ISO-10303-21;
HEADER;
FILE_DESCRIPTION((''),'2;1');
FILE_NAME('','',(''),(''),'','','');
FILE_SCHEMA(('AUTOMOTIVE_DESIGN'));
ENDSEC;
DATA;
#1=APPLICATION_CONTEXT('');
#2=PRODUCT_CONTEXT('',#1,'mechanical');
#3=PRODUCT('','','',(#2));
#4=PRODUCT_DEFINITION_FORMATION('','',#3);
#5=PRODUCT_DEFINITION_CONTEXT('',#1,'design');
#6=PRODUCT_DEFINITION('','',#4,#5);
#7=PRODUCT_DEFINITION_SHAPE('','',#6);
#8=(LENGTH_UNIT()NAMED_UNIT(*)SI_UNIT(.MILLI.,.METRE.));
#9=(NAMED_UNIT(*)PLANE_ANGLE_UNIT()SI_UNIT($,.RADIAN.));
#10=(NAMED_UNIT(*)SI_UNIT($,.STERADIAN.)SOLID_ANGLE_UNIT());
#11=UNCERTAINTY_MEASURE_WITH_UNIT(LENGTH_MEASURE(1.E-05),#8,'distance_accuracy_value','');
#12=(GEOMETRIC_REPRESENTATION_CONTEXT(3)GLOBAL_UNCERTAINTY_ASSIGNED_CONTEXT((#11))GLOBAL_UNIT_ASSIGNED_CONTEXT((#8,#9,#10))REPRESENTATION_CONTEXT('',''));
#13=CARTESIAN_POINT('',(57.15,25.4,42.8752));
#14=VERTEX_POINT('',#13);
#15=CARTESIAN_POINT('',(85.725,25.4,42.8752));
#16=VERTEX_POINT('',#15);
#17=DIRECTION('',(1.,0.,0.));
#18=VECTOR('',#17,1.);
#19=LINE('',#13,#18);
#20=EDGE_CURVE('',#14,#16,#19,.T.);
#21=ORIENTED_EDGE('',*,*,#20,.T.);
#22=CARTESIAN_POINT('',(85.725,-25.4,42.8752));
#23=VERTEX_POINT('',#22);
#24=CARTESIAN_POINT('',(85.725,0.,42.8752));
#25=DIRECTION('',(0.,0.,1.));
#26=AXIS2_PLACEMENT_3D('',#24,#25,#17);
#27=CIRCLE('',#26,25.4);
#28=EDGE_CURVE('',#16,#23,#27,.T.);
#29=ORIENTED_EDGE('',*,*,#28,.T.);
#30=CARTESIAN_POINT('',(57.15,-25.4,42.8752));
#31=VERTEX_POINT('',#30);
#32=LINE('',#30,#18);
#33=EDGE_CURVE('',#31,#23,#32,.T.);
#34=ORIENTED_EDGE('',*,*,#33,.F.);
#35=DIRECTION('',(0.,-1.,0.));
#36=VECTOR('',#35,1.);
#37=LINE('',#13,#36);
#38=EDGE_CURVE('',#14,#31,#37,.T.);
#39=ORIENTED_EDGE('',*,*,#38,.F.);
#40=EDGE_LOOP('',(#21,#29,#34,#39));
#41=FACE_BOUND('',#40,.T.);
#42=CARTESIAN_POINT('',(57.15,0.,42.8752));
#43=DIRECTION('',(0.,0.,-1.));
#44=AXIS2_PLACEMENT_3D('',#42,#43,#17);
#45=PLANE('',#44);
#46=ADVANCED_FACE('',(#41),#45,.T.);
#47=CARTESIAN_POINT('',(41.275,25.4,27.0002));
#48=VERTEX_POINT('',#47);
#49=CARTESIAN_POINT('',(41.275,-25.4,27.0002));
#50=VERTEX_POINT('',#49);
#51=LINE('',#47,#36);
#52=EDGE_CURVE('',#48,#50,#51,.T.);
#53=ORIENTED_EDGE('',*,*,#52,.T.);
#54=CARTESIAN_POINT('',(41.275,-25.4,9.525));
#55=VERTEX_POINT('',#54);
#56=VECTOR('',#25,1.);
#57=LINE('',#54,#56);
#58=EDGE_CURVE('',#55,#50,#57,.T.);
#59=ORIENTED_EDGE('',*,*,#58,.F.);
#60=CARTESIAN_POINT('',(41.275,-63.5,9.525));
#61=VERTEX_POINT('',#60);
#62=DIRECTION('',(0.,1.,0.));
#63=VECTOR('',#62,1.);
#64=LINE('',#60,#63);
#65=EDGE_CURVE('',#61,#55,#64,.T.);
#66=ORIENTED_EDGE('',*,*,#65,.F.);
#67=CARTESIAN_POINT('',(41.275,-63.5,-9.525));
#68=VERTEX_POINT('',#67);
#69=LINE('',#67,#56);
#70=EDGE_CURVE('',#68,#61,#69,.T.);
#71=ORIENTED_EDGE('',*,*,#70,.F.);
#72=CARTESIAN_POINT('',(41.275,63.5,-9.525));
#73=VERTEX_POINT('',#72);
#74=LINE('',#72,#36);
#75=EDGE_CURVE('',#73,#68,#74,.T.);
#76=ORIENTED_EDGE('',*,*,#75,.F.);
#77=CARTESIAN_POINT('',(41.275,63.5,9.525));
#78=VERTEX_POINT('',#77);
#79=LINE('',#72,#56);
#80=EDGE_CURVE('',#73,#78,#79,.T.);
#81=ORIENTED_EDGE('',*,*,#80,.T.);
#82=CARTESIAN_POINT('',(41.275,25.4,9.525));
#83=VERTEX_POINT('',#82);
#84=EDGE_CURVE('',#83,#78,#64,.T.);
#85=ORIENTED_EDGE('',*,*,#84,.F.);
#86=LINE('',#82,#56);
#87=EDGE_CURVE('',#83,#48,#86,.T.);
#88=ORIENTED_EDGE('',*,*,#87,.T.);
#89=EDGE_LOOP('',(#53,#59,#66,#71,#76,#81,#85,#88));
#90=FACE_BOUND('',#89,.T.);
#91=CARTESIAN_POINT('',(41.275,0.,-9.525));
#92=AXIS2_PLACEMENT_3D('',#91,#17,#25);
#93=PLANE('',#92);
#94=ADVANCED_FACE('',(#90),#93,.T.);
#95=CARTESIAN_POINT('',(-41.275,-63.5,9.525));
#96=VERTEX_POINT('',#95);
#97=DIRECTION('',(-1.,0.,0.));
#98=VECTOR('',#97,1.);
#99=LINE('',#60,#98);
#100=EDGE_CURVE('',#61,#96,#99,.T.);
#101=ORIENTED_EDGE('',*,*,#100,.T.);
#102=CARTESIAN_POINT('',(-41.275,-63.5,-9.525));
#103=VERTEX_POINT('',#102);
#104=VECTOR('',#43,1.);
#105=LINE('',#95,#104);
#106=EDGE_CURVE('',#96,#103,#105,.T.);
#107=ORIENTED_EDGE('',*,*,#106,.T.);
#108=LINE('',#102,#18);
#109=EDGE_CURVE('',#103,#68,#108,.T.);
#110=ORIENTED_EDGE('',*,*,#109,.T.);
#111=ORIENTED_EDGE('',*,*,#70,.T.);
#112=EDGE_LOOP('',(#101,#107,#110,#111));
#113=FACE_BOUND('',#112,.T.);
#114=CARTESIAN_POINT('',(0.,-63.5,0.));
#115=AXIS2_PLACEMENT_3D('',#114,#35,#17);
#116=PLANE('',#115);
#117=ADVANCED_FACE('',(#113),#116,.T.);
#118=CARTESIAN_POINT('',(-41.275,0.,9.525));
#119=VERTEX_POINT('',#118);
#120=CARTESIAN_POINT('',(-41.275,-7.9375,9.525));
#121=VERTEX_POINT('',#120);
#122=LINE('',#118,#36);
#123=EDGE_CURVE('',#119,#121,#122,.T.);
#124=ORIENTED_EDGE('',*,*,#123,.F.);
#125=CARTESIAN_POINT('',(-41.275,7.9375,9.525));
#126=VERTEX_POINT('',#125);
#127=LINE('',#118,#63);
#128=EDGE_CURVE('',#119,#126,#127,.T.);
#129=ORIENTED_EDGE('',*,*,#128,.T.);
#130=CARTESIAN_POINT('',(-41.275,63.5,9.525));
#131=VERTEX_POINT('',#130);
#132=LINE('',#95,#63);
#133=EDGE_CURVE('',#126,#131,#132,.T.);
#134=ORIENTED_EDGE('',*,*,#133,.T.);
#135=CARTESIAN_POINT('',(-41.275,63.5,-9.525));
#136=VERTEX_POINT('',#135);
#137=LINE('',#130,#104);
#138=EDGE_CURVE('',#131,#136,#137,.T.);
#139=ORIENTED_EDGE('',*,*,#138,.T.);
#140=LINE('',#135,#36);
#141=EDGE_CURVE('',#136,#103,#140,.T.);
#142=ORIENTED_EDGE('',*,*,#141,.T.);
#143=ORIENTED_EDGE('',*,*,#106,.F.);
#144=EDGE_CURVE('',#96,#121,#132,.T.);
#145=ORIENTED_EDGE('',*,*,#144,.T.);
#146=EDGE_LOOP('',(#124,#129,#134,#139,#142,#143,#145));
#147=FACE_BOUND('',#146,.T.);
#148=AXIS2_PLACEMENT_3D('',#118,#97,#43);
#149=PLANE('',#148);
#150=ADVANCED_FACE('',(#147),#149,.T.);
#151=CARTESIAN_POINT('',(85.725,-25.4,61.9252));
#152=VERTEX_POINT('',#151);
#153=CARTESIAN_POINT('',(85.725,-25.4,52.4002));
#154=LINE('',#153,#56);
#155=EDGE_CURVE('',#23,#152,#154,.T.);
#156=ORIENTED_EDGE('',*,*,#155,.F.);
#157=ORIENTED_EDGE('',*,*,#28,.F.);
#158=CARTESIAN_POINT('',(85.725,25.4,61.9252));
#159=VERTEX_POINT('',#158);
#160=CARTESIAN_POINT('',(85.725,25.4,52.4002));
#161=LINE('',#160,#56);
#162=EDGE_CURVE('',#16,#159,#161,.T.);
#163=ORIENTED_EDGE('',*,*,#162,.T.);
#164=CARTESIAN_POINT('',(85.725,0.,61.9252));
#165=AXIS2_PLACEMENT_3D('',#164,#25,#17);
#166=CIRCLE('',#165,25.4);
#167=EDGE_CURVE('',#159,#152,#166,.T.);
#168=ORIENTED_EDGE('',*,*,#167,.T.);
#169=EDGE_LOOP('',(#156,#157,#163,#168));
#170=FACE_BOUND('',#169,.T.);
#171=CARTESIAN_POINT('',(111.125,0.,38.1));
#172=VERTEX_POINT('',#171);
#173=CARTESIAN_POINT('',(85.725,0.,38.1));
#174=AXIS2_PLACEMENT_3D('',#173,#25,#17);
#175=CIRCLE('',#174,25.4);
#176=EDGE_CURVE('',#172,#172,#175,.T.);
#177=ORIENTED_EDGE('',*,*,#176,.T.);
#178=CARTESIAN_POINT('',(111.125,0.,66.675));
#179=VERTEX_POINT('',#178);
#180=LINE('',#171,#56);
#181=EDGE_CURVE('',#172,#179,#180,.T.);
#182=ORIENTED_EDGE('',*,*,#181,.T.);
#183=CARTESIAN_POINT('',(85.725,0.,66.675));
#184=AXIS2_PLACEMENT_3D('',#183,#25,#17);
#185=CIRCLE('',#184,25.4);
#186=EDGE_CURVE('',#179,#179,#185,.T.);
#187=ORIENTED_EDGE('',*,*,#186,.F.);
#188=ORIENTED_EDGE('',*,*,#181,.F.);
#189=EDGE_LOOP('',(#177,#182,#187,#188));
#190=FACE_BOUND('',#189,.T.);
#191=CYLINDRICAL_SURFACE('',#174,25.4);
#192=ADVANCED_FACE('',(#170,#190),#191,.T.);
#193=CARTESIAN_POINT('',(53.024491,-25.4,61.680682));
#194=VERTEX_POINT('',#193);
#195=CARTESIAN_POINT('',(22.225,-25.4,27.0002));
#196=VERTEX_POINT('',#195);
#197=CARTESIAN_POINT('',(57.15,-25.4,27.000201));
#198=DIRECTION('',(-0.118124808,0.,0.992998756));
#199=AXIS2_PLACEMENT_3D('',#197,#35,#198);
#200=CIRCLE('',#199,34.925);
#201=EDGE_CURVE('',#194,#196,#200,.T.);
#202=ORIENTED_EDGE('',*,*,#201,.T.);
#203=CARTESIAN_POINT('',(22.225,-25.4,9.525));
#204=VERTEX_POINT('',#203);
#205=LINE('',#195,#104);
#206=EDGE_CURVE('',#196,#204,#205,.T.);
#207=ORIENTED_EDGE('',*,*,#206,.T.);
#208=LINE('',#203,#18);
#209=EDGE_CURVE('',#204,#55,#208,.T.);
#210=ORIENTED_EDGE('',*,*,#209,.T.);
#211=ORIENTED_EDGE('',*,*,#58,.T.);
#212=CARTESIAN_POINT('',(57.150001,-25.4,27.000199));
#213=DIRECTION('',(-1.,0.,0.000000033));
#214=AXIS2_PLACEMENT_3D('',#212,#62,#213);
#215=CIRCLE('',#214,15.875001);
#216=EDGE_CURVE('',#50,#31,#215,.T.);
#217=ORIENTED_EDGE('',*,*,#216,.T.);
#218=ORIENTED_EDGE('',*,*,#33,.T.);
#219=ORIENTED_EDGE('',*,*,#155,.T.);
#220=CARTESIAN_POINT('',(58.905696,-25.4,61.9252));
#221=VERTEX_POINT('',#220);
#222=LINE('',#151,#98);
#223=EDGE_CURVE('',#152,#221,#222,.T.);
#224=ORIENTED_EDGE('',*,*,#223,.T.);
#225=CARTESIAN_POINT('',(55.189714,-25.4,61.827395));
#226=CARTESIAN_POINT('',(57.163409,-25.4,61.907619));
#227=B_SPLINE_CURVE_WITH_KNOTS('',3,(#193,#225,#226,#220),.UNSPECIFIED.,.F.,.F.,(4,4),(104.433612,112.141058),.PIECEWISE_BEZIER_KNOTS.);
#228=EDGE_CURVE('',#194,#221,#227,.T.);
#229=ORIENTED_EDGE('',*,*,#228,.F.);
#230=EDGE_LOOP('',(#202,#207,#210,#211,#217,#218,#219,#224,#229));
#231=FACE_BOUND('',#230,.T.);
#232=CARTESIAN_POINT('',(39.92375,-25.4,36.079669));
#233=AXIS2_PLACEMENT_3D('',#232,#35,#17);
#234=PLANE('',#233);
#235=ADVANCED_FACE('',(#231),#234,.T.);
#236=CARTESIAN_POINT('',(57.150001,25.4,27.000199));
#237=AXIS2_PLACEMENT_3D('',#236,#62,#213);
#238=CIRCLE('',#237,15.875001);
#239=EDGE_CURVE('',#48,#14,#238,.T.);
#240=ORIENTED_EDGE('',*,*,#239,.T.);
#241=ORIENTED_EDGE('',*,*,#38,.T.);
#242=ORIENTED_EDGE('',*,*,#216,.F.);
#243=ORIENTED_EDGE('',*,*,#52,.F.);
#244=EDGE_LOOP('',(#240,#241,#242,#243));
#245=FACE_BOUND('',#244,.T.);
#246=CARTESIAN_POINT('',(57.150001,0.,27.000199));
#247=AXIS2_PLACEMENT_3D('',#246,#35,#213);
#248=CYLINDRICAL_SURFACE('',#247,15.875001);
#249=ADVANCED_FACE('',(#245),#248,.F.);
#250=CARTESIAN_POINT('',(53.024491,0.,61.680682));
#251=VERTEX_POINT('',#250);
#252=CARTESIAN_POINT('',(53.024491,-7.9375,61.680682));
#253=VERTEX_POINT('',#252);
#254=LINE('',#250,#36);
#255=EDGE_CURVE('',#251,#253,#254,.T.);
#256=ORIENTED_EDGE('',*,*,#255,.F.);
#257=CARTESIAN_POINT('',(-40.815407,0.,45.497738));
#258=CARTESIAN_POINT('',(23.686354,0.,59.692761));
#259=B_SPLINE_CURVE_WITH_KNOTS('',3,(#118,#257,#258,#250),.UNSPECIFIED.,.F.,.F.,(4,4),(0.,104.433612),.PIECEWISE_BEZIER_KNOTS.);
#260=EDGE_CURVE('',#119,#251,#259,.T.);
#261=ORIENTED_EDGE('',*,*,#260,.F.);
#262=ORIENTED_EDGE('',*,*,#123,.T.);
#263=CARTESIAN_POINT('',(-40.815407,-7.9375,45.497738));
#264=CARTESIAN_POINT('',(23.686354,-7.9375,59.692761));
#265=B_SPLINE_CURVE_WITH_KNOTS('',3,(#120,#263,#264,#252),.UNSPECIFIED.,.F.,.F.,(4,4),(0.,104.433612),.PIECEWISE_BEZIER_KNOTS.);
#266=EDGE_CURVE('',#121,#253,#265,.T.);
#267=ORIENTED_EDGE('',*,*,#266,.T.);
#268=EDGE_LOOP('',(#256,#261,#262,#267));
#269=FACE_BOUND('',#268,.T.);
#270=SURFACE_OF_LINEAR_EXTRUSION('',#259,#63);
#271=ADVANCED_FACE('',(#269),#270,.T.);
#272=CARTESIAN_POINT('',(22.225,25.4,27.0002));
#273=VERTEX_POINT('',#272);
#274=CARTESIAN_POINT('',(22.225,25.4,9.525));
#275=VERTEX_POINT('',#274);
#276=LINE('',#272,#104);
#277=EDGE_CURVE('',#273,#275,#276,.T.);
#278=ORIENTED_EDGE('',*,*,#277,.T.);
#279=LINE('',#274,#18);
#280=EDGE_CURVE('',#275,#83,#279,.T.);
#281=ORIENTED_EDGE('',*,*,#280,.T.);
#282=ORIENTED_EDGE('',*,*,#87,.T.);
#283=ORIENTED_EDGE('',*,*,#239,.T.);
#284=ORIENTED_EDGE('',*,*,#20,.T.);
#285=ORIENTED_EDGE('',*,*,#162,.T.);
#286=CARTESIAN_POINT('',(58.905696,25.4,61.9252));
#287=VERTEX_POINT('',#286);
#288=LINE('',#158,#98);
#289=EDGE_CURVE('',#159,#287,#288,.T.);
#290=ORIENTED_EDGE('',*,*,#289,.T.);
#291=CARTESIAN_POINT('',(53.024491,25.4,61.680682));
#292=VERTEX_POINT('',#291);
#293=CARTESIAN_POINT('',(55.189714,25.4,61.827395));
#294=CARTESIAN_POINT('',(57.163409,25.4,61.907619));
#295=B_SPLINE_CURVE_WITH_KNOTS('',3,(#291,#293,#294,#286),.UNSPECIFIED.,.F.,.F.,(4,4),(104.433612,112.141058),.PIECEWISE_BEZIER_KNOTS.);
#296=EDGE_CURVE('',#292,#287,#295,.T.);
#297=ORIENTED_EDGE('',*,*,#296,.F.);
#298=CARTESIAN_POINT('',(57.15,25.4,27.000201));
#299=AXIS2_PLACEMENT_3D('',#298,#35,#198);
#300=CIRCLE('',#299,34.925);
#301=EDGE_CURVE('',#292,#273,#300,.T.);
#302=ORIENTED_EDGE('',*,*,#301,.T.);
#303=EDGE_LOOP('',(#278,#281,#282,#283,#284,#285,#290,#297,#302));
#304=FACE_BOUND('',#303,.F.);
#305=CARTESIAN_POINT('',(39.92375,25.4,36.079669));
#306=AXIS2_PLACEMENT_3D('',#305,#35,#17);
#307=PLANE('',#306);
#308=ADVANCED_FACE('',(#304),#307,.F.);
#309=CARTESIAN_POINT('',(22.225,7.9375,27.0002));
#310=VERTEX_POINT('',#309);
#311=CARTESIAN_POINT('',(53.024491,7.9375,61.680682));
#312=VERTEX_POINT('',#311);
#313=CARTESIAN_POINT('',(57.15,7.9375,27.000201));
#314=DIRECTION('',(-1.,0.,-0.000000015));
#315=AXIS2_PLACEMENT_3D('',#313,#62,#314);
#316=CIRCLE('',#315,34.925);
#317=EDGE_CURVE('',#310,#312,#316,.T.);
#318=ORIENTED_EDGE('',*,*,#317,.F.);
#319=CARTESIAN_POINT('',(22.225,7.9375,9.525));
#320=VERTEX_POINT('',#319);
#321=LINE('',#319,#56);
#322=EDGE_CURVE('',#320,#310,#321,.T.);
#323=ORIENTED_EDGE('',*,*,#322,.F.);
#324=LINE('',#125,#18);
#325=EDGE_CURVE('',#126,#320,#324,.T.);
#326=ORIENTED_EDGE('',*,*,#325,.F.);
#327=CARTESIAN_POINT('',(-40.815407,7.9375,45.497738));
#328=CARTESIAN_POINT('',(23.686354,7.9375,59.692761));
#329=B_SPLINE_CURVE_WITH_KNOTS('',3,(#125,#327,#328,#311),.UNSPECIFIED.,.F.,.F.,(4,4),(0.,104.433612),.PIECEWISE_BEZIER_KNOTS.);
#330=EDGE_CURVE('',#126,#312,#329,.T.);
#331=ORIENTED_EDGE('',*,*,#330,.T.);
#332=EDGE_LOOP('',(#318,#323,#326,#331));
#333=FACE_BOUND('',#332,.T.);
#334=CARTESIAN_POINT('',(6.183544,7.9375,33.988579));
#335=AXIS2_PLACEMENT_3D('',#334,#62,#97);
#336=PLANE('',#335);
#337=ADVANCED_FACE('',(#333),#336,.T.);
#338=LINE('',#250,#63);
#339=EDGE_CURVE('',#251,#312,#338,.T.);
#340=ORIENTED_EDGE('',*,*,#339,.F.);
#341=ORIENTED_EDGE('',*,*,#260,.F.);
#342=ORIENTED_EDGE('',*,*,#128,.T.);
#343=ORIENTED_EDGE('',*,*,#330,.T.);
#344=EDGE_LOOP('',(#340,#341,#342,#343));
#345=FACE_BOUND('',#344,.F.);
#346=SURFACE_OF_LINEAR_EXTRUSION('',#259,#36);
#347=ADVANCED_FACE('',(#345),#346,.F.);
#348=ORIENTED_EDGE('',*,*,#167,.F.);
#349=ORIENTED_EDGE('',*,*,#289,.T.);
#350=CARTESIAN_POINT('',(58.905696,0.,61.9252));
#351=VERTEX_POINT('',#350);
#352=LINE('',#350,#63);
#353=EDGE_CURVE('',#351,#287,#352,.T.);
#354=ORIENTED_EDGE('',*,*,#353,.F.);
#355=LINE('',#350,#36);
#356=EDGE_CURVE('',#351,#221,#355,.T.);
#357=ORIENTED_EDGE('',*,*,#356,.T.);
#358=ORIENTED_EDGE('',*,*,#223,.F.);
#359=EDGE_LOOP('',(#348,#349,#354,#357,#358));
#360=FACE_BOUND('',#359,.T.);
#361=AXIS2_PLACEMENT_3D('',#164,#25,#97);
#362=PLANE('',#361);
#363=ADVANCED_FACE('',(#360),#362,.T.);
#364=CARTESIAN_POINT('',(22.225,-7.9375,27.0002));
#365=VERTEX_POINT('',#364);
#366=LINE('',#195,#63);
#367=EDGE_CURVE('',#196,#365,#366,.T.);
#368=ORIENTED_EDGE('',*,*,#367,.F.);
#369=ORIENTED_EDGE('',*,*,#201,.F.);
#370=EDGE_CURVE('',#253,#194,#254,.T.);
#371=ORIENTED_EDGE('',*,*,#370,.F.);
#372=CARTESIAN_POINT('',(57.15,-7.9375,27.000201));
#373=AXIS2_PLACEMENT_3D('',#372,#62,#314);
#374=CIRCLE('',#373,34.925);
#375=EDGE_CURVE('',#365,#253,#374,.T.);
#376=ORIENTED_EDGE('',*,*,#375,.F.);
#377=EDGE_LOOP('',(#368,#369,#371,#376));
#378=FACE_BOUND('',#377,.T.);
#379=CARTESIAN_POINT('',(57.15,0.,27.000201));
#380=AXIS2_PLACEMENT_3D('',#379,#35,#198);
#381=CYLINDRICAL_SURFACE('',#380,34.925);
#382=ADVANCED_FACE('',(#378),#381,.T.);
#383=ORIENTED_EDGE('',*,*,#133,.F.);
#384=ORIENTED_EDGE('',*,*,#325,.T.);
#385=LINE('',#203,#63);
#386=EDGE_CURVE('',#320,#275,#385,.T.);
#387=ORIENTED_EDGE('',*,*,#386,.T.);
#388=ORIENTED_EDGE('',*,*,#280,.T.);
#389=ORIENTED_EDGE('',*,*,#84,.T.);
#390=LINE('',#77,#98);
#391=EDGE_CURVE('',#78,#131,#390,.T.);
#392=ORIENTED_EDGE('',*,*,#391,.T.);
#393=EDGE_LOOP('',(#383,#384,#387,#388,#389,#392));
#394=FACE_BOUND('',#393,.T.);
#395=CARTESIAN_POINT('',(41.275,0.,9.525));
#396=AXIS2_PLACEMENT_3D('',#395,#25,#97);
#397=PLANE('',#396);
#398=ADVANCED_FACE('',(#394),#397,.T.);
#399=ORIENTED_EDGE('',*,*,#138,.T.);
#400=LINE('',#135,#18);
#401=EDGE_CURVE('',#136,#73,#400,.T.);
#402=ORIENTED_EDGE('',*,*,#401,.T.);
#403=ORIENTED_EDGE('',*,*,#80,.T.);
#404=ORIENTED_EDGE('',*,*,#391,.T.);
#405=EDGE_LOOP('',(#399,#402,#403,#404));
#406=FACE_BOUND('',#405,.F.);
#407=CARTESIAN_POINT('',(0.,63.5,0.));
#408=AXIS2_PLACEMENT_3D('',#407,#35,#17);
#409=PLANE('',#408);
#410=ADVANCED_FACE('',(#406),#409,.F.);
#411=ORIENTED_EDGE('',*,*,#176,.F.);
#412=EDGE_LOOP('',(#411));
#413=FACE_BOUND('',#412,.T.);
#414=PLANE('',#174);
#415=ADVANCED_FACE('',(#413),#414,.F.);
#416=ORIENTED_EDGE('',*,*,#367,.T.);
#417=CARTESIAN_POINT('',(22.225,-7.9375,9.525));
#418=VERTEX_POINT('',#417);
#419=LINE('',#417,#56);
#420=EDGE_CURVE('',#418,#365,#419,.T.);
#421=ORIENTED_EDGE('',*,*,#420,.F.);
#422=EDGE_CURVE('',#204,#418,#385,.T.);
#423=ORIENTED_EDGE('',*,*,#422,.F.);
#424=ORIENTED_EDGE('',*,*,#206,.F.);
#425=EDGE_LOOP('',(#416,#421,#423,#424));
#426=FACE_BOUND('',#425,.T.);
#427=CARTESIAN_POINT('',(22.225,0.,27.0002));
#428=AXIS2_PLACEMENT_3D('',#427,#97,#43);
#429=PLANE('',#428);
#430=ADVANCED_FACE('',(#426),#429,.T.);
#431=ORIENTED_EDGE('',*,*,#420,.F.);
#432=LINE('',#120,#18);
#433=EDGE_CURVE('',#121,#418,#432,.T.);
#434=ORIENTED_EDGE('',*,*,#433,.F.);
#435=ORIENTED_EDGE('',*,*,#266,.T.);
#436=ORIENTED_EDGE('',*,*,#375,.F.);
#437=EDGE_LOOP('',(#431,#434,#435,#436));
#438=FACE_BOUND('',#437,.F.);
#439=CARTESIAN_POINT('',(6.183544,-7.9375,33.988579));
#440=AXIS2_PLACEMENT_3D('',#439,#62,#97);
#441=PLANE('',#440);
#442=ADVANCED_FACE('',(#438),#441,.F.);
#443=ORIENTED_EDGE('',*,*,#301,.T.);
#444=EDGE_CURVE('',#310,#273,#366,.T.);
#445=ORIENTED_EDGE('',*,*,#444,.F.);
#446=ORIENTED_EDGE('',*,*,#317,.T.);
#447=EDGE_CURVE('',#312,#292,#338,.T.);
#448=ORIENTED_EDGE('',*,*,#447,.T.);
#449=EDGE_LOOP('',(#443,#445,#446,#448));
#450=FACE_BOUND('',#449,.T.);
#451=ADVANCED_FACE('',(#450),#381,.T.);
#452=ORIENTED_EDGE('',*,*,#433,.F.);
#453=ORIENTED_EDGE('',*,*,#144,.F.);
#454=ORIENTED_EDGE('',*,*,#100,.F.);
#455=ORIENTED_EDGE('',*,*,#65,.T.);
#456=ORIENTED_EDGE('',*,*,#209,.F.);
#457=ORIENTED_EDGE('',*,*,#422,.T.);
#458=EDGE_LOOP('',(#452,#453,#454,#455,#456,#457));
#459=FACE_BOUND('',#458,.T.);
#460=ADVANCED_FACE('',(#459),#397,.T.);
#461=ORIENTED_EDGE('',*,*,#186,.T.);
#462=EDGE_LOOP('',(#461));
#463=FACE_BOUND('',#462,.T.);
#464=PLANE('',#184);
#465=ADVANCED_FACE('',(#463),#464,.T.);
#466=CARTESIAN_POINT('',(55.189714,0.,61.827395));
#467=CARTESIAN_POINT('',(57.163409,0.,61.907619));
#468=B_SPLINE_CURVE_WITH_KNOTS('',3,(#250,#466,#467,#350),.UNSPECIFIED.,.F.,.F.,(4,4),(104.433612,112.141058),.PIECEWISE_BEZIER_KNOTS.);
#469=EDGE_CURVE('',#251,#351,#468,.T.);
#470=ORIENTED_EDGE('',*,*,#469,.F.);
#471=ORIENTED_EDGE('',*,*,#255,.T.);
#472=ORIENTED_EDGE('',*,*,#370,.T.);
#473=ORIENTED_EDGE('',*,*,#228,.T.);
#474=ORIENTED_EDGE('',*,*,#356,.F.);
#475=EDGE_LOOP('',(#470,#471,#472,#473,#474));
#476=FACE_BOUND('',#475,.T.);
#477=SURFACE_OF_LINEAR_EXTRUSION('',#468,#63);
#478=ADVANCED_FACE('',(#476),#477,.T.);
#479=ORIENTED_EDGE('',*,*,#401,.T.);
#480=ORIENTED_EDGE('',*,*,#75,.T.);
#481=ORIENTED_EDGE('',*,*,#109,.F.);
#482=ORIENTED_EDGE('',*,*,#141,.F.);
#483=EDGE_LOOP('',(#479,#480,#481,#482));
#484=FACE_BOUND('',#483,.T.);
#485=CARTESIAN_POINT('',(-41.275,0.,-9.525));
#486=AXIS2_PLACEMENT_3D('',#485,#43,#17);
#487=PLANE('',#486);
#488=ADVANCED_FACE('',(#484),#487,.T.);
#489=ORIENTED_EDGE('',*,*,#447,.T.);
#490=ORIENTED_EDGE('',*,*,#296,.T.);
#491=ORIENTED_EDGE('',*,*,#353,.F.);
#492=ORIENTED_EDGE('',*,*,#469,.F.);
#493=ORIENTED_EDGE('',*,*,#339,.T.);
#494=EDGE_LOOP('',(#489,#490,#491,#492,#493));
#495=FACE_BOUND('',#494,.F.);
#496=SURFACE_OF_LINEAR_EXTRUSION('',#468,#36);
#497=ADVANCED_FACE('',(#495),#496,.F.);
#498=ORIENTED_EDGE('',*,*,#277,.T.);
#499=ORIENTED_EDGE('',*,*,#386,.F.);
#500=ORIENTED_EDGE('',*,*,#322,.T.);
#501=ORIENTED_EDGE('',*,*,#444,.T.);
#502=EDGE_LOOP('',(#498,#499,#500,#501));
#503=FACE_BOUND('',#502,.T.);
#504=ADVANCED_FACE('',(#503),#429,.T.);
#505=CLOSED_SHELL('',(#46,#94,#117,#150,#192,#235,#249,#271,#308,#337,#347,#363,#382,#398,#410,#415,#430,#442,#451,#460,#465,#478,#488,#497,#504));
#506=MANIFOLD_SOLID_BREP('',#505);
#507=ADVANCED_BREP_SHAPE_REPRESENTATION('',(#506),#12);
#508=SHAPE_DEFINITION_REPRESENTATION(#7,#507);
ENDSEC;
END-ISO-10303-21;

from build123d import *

# Parameters (mm, degrees)
F1_DEPTH = 63.5
F0_W     = 25.4
F0_H     = 19.05
F2_DEPTH = 25.4
F3_DEPTH = 7.9375


with BuildPart() as f1:
    # F0 (on Front) → F1 (new body, symmetric)
    with BuildSketch(Plane.XZ):
        Polygon((-41.275, 9.525), (-41.275, -9.525), (41.275, -9.525), (41.275, 9.525), (22.225, 9.525), align=None)
    extrude(amount=F1_DEPTH, both=True)

    # F0 (on Front) → F2 (join, symmetric)
    with BuildSketch(Plane.XZ):
        with BuildLine():
            Line((22.225, 9.525), (41.275, 9.525))
            Line((41.275, 9.525), (41.275, 27.0002))
            ThreePointArc((41.275, 27.0002), (45.92468, 38.22552), (57.15, 42.8752))
            Line((57.15, 42.8752), (60.325, 42.8752))
            Line((60.325, 42.8752), (60.325, 61.9252))
            Line((60.325, 61.9252), (58.905696, 61.9252))
            add(Edge.make_bspline(
                [(53.024491, 61.680682), (55.189714, 61.827395), (57.163409, 61.907619), (58.905696, 61.9252)],
                knots=[104.433612, 104.433612, 104.433612, 104.433612, 112.141058, 112.141058, 112.141058, 112.141058], degree=3))
            ThreePointArc((53.024491, 61.680682), (31.036411, 50.191494), (22.225, 27.0002))
            Line((22.225, 27.0002), (22.225, 9.525))
        make_face()
        with Locations((73.025, 52.4002)):
            Rectangle(F0_W, F0_H)
    extrude(amount=F2_DEPTH, both=True)

    # F0 (on Front) → F3 (join, symmetric)
    with BuildSketch(Plane.XZ):
        with BuildLine():
            add(Edge.make_bspline(
                [(-41.275, 9.525), (-40.815407, 45.497738), (23.686354, 59.692761), (53.024491, 61.680682)],
                knots=[0, 0, 0, 0, 104.433612, 104.433612, 104.433612, 104.433612], degree=3))
            Line((-41.275, 9.525), (22.225, 9.525))
            Line((22.225, 9.525), (22.225, 27.0002))
            ThreePointArc((22.225, 27.0002), (31.036411, 50.191494), (53.024491, 61.680682))
        make_face()
    extrude(amount=F3_DEPTH, both=True)

    # F0 (on Front) → F4 (revolve)
    with BuildSketch(Plane.XZ):
        Polygon((85.725, 66.675), (85.725, 61.9252), (85.725, 42.8752), (85.725, 38.1), (111.125, 38.1), (111.125, 66.675), align=None)
    revolve(axis=Axis((85.725, 0, 52.3875), (0, 0, 1)))


solid = f1.part
